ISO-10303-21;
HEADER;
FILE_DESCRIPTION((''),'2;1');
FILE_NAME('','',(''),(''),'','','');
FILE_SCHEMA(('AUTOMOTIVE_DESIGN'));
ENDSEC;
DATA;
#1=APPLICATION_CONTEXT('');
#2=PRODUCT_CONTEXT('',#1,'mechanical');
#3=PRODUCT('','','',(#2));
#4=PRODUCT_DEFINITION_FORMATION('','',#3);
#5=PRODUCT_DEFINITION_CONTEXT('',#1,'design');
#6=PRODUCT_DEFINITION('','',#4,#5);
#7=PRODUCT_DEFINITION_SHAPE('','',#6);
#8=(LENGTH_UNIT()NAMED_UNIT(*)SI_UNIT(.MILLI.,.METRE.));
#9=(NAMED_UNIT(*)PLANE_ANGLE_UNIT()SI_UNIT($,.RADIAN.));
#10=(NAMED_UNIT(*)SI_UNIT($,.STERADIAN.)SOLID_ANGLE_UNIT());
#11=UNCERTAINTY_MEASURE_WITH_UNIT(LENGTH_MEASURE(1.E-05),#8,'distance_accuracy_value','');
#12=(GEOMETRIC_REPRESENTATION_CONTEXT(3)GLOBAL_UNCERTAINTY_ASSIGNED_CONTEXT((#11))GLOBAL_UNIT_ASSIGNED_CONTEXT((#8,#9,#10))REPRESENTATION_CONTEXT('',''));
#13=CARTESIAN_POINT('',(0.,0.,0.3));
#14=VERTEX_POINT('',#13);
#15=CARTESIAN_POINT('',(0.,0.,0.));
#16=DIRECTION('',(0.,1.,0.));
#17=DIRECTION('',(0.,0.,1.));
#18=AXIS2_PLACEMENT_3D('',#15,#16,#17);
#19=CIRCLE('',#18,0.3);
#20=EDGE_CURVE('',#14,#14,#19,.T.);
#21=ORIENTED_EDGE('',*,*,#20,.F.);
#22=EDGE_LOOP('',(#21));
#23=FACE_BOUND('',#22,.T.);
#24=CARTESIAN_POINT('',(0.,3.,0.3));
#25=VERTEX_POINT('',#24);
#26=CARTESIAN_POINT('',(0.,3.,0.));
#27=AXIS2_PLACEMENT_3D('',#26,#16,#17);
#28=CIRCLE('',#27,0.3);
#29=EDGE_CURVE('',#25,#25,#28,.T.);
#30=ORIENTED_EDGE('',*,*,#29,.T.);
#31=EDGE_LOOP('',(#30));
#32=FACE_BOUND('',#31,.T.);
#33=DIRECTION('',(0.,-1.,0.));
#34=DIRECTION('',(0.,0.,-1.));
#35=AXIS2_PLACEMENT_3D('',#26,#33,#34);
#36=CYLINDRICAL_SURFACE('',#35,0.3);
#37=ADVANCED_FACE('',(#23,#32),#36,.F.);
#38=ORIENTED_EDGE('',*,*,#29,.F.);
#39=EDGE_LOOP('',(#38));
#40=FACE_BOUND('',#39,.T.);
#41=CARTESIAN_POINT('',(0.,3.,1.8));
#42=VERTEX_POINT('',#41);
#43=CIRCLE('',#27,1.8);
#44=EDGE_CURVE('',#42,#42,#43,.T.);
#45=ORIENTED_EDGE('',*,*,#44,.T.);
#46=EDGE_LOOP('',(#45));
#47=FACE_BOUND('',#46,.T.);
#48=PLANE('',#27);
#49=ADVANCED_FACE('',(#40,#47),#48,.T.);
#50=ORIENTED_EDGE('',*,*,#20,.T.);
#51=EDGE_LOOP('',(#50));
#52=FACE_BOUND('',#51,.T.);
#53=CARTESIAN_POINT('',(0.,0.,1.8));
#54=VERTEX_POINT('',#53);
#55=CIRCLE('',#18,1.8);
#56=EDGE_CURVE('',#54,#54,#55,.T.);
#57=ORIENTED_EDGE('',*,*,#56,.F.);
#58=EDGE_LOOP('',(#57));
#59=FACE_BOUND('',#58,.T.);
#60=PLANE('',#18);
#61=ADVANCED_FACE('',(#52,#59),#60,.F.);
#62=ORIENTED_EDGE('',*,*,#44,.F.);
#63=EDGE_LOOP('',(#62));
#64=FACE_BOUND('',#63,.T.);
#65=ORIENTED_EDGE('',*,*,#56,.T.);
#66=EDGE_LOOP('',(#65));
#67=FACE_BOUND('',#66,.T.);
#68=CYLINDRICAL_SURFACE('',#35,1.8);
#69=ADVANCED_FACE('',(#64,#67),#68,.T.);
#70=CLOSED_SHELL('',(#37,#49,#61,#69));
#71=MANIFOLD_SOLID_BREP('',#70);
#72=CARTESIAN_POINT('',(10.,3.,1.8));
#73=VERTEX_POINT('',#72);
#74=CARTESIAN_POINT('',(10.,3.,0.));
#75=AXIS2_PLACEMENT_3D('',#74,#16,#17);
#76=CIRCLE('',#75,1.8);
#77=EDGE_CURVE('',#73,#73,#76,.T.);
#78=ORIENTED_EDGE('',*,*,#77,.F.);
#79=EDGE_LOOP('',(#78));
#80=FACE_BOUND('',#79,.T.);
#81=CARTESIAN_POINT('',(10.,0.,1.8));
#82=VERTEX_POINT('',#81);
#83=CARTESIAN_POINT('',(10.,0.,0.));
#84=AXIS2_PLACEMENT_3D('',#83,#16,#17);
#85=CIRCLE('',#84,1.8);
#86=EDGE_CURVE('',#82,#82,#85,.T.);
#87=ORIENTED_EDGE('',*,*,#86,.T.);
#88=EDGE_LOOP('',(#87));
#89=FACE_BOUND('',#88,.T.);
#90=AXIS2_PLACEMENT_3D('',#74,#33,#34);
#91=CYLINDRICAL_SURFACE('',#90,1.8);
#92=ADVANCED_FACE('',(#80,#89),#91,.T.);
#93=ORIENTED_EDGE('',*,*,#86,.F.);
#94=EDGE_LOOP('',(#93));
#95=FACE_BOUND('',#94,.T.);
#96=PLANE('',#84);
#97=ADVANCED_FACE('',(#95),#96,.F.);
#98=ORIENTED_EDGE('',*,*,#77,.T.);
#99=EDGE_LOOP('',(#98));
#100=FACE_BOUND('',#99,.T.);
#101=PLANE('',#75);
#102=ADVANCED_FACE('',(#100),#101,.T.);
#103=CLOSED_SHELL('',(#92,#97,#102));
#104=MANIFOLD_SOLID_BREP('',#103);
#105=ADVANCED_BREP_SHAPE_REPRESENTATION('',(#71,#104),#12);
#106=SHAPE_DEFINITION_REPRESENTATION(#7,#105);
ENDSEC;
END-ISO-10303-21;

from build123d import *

# Parameters (mm, degrees)
SKETCH1_R             = 1.8
SKETCH1_R_2           = 0.3
BOSS_EXTRUDE1_DEPTH   = 3
BOSS_EXTRUDE1_2_DEPTH = 3


with BuildPart() as part:
    # Sketch1 → Boss-Extrude1 (new body)
    with BuildSketch(Plane(origin=(0, 0, 0), x_dir=(1, 0, 0), z_dir=(0, 1, 0))):
        with Locations(Location((0, 0, 0), (0, 0, 270))):
            Circle(SKETCH1_R)
        with Locations(Location((0, 0, 0), (0, 0, 270))):
            Circle(SKETCH1_R_2, mode=Mode.SUBTRACT)
    extrude(amount=BOSS_EXTRUDE1_DEPTH)


with BuildPart() as body_2:
    # Sketch1 → Boss-Extrude1 2 (new body)
    with BuildSketch(Plane(origin=(0, 0, 0), x_dir=(1, 0, 0), z_dir=(0, 1, 0))):
        with Locations(Location((10, 0, 0), (0, 0, 270))):
            Circle(SKETCH1_R)
    extrude(amount=BOSS_EXTRUDE1_2_DEPTH)


solid = Compound([part.part, body_2.part])
